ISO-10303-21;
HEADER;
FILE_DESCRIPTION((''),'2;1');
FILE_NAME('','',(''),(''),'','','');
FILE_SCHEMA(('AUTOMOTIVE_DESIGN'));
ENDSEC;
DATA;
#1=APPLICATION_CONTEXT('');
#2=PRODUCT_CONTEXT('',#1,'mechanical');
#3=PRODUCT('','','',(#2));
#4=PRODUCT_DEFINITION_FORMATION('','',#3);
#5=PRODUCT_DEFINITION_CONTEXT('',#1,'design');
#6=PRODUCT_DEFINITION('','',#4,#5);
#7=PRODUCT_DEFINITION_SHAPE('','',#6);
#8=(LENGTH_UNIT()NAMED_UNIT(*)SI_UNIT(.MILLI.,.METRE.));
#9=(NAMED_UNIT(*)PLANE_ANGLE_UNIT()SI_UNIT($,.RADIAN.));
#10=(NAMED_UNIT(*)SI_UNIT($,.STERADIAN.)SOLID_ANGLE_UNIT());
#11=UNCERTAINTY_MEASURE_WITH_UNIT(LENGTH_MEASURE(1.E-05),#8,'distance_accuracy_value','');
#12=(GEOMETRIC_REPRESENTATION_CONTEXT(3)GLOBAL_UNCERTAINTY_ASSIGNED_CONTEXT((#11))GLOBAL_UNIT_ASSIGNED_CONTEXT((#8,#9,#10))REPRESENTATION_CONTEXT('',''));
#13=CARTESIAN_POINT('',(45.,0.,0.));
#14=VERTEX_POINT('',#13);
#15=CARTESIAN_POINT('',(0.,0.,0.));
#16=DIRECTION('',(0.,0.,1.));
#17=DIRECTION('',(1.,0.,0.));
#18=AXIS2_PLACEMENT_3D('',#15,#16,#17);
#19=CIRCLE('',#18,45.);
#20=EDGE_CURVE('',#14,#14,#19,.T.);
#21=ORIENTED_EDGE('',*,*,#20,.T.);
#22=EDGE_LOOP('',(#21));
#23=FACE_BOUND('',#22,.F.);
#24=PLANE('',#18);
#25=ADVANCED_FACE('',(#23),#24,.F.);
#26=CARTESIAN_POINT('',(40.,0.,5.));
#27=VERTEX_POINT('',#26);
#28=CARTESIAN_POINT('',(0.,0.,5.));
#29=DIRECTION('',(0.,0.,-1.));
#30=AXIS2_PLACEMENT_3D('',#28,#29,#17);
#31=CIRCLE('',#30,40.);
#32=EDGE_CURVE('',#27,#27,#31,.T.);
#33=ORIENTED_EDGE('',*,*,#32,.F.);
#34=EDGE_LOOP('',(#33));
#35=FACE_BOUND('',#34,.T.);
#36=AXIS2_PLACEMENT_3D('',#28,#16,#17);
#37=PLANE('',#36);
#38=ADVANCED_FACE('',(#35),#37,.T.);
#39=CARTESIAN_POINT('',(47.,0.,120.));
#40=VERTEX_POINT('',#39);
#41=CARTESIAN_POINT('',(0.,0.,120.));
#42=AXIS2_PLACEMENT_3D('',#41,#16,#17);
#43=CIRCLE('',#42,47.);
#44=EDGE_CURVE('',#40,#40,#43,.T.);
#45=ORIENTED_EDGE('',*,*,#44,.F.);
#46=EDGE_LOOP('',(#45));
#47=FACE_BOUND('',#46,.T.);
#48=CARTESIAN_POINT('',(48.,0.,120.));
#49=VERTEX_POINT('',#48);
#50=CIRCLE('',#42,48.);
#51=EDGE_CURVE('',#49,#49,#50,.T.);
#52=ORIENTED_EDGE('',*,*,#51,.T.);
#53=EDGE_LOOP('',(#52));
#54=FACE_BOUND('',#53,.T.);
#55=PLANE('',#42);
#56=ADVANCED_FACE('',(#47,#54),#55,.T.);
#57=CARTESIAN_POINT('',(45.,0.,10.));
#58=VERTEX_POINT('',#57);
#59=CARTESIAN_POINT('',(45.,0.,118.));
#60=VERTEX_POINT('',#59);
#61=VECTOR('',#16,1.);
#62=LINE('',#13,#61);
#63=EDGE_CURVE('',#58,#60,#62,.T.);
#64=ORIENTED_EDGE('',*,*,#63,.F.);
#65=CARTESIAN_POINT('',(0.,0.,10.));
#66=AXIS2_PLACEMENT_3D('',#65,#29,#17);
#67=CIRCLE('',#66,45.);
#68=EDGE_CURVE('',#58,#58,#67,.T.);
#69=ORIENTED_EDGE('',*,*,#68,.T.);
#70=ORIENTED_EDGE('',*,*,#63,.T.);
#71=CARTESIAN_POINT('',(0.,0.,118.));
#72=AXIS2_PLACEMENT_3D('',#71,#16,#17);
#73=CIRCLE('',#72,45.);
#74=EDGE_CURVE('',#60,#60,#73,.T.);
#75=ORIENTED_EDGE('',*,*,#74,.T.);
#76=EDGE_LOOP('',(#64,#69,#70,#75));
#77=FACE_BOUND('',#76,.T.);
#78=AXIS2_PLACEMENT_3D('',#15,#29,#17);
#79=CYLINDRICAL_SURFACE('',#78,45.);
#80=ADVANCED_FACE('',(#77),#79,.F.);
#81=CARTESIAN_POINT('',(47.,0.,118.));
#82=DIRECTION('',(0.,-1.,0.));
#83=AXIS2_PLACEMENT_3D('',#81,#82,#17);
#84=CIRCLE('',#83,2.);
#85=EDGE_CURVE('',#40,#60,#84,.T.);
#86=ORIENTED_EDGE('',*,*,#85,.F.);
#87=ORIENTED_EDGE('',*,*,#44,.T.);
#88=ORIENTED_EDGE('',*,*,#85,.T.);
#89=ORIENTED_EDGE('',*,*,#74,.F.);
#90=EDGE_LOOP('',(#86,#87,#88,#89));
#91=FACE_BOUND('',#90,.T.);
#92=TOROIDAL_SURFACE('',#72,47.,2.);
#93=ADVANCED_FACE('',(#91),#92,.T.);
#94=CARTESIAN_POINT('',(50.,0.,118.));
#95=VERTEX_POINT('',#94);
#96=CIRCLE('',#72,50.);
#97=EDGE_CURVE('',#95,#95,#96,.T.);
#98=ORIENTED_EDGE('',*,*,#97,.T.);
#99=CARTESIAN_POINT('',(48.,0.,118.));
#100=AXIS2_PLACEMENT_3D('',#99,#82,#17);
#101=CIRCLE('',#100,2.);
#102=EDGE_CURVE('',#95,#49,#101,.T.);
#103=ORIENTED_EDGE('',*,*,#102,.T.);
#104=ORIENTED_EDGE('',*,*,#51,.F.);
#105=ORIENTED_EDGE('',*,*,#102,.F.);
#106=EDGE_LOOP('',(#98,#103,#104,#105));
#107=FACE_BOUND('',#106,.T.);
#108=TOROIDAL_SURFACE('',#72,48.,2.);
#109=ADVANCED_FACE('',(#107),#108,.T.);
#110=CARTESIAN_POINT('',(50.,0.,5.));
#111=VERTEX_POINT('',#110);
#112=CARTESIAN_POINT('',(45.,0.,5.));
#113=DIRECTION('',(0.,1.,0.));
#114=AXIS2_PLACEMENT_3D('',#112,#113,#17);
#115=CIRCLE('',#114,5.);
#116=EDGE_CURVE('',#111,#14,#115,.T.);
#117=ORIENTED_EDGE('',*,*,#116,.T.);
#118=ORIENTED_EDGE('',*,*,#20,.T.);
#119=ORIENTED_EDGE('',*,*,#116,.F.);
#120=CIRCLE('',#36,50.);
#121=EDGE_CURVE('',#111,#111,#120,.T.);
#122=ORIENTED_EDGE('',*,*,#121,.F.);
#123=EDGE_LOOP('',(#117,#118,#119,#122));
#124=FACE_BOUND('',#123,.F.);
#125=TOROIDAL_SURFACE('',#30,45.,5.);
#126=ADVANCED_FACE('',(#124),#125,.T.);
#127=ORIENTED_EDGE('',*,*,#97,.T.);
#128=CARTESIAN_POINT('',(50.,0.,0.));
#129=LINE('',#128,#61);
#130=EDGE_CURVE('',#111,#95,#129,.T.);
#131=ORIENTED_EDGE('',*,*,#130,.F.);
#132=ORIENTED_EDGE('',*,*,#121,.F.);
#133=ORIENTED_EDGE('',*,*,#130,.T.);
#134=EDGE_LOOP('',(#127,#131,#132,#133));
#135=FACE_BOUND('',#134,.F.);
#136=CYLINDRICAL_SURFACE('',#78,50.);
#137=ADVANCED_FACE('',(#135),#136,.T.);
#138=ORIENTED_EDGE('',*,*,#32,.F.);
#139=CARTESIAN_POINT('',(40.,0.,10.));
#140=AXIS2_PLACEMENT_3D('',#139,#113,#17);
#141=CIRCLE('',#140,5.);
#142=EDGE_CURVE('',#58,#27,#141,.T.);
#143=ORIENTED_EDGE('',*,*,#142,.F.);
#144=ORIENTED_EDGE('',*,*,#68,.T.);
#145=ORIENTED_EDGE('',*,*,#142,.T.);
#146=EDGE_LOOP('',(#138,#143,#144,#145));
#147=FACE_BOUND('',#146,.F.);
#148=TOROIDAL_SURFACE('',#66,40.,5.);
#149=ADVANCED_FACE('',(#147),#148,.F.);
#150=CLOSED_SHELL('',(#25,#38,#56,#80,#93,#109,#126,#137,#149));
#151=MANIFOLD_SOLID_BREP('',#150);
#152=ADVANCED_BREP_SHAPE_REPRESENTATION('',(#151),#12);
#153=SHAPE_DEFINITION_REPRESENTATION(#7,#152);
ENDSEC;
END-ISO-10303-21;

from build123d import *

# Parameters (mm, degrees)
F0_R     = 50
F1_DEPTH = 120
F2_T     = -5
F3_R     = 5
F4_R     = 2


with BuildPart() as f1:
    # F0 (on Top) → F1 (new body)
    with BuildSketch(Plane.XY):
        Circle(F0_R)
    extrude(amount=F1_DEPTH)

    # F2
    f2_openings = [f1.faces().sort_by_distance(p)[0] for p in [
        (0, 0, 120),
    ]]
    offset(amount=F2_T, openings=f2_openings)

    # F3
    f3_edges = [f1.edges().sort_by_distance(p)[0] for p in [
        (-45, 0, 5),
        (-50, 0, 0),
    ]]
    fillet(f3_edges, radius=F3_R)

    # F4
    f4_edges = [f1.edges().sort_by_distance(p)[0] for p in [
        (-45, 0, 120),
        (-50, 0, 120),
    ]]
    fillet(f4_edges, radius=F4_R)


solid = f1.part
